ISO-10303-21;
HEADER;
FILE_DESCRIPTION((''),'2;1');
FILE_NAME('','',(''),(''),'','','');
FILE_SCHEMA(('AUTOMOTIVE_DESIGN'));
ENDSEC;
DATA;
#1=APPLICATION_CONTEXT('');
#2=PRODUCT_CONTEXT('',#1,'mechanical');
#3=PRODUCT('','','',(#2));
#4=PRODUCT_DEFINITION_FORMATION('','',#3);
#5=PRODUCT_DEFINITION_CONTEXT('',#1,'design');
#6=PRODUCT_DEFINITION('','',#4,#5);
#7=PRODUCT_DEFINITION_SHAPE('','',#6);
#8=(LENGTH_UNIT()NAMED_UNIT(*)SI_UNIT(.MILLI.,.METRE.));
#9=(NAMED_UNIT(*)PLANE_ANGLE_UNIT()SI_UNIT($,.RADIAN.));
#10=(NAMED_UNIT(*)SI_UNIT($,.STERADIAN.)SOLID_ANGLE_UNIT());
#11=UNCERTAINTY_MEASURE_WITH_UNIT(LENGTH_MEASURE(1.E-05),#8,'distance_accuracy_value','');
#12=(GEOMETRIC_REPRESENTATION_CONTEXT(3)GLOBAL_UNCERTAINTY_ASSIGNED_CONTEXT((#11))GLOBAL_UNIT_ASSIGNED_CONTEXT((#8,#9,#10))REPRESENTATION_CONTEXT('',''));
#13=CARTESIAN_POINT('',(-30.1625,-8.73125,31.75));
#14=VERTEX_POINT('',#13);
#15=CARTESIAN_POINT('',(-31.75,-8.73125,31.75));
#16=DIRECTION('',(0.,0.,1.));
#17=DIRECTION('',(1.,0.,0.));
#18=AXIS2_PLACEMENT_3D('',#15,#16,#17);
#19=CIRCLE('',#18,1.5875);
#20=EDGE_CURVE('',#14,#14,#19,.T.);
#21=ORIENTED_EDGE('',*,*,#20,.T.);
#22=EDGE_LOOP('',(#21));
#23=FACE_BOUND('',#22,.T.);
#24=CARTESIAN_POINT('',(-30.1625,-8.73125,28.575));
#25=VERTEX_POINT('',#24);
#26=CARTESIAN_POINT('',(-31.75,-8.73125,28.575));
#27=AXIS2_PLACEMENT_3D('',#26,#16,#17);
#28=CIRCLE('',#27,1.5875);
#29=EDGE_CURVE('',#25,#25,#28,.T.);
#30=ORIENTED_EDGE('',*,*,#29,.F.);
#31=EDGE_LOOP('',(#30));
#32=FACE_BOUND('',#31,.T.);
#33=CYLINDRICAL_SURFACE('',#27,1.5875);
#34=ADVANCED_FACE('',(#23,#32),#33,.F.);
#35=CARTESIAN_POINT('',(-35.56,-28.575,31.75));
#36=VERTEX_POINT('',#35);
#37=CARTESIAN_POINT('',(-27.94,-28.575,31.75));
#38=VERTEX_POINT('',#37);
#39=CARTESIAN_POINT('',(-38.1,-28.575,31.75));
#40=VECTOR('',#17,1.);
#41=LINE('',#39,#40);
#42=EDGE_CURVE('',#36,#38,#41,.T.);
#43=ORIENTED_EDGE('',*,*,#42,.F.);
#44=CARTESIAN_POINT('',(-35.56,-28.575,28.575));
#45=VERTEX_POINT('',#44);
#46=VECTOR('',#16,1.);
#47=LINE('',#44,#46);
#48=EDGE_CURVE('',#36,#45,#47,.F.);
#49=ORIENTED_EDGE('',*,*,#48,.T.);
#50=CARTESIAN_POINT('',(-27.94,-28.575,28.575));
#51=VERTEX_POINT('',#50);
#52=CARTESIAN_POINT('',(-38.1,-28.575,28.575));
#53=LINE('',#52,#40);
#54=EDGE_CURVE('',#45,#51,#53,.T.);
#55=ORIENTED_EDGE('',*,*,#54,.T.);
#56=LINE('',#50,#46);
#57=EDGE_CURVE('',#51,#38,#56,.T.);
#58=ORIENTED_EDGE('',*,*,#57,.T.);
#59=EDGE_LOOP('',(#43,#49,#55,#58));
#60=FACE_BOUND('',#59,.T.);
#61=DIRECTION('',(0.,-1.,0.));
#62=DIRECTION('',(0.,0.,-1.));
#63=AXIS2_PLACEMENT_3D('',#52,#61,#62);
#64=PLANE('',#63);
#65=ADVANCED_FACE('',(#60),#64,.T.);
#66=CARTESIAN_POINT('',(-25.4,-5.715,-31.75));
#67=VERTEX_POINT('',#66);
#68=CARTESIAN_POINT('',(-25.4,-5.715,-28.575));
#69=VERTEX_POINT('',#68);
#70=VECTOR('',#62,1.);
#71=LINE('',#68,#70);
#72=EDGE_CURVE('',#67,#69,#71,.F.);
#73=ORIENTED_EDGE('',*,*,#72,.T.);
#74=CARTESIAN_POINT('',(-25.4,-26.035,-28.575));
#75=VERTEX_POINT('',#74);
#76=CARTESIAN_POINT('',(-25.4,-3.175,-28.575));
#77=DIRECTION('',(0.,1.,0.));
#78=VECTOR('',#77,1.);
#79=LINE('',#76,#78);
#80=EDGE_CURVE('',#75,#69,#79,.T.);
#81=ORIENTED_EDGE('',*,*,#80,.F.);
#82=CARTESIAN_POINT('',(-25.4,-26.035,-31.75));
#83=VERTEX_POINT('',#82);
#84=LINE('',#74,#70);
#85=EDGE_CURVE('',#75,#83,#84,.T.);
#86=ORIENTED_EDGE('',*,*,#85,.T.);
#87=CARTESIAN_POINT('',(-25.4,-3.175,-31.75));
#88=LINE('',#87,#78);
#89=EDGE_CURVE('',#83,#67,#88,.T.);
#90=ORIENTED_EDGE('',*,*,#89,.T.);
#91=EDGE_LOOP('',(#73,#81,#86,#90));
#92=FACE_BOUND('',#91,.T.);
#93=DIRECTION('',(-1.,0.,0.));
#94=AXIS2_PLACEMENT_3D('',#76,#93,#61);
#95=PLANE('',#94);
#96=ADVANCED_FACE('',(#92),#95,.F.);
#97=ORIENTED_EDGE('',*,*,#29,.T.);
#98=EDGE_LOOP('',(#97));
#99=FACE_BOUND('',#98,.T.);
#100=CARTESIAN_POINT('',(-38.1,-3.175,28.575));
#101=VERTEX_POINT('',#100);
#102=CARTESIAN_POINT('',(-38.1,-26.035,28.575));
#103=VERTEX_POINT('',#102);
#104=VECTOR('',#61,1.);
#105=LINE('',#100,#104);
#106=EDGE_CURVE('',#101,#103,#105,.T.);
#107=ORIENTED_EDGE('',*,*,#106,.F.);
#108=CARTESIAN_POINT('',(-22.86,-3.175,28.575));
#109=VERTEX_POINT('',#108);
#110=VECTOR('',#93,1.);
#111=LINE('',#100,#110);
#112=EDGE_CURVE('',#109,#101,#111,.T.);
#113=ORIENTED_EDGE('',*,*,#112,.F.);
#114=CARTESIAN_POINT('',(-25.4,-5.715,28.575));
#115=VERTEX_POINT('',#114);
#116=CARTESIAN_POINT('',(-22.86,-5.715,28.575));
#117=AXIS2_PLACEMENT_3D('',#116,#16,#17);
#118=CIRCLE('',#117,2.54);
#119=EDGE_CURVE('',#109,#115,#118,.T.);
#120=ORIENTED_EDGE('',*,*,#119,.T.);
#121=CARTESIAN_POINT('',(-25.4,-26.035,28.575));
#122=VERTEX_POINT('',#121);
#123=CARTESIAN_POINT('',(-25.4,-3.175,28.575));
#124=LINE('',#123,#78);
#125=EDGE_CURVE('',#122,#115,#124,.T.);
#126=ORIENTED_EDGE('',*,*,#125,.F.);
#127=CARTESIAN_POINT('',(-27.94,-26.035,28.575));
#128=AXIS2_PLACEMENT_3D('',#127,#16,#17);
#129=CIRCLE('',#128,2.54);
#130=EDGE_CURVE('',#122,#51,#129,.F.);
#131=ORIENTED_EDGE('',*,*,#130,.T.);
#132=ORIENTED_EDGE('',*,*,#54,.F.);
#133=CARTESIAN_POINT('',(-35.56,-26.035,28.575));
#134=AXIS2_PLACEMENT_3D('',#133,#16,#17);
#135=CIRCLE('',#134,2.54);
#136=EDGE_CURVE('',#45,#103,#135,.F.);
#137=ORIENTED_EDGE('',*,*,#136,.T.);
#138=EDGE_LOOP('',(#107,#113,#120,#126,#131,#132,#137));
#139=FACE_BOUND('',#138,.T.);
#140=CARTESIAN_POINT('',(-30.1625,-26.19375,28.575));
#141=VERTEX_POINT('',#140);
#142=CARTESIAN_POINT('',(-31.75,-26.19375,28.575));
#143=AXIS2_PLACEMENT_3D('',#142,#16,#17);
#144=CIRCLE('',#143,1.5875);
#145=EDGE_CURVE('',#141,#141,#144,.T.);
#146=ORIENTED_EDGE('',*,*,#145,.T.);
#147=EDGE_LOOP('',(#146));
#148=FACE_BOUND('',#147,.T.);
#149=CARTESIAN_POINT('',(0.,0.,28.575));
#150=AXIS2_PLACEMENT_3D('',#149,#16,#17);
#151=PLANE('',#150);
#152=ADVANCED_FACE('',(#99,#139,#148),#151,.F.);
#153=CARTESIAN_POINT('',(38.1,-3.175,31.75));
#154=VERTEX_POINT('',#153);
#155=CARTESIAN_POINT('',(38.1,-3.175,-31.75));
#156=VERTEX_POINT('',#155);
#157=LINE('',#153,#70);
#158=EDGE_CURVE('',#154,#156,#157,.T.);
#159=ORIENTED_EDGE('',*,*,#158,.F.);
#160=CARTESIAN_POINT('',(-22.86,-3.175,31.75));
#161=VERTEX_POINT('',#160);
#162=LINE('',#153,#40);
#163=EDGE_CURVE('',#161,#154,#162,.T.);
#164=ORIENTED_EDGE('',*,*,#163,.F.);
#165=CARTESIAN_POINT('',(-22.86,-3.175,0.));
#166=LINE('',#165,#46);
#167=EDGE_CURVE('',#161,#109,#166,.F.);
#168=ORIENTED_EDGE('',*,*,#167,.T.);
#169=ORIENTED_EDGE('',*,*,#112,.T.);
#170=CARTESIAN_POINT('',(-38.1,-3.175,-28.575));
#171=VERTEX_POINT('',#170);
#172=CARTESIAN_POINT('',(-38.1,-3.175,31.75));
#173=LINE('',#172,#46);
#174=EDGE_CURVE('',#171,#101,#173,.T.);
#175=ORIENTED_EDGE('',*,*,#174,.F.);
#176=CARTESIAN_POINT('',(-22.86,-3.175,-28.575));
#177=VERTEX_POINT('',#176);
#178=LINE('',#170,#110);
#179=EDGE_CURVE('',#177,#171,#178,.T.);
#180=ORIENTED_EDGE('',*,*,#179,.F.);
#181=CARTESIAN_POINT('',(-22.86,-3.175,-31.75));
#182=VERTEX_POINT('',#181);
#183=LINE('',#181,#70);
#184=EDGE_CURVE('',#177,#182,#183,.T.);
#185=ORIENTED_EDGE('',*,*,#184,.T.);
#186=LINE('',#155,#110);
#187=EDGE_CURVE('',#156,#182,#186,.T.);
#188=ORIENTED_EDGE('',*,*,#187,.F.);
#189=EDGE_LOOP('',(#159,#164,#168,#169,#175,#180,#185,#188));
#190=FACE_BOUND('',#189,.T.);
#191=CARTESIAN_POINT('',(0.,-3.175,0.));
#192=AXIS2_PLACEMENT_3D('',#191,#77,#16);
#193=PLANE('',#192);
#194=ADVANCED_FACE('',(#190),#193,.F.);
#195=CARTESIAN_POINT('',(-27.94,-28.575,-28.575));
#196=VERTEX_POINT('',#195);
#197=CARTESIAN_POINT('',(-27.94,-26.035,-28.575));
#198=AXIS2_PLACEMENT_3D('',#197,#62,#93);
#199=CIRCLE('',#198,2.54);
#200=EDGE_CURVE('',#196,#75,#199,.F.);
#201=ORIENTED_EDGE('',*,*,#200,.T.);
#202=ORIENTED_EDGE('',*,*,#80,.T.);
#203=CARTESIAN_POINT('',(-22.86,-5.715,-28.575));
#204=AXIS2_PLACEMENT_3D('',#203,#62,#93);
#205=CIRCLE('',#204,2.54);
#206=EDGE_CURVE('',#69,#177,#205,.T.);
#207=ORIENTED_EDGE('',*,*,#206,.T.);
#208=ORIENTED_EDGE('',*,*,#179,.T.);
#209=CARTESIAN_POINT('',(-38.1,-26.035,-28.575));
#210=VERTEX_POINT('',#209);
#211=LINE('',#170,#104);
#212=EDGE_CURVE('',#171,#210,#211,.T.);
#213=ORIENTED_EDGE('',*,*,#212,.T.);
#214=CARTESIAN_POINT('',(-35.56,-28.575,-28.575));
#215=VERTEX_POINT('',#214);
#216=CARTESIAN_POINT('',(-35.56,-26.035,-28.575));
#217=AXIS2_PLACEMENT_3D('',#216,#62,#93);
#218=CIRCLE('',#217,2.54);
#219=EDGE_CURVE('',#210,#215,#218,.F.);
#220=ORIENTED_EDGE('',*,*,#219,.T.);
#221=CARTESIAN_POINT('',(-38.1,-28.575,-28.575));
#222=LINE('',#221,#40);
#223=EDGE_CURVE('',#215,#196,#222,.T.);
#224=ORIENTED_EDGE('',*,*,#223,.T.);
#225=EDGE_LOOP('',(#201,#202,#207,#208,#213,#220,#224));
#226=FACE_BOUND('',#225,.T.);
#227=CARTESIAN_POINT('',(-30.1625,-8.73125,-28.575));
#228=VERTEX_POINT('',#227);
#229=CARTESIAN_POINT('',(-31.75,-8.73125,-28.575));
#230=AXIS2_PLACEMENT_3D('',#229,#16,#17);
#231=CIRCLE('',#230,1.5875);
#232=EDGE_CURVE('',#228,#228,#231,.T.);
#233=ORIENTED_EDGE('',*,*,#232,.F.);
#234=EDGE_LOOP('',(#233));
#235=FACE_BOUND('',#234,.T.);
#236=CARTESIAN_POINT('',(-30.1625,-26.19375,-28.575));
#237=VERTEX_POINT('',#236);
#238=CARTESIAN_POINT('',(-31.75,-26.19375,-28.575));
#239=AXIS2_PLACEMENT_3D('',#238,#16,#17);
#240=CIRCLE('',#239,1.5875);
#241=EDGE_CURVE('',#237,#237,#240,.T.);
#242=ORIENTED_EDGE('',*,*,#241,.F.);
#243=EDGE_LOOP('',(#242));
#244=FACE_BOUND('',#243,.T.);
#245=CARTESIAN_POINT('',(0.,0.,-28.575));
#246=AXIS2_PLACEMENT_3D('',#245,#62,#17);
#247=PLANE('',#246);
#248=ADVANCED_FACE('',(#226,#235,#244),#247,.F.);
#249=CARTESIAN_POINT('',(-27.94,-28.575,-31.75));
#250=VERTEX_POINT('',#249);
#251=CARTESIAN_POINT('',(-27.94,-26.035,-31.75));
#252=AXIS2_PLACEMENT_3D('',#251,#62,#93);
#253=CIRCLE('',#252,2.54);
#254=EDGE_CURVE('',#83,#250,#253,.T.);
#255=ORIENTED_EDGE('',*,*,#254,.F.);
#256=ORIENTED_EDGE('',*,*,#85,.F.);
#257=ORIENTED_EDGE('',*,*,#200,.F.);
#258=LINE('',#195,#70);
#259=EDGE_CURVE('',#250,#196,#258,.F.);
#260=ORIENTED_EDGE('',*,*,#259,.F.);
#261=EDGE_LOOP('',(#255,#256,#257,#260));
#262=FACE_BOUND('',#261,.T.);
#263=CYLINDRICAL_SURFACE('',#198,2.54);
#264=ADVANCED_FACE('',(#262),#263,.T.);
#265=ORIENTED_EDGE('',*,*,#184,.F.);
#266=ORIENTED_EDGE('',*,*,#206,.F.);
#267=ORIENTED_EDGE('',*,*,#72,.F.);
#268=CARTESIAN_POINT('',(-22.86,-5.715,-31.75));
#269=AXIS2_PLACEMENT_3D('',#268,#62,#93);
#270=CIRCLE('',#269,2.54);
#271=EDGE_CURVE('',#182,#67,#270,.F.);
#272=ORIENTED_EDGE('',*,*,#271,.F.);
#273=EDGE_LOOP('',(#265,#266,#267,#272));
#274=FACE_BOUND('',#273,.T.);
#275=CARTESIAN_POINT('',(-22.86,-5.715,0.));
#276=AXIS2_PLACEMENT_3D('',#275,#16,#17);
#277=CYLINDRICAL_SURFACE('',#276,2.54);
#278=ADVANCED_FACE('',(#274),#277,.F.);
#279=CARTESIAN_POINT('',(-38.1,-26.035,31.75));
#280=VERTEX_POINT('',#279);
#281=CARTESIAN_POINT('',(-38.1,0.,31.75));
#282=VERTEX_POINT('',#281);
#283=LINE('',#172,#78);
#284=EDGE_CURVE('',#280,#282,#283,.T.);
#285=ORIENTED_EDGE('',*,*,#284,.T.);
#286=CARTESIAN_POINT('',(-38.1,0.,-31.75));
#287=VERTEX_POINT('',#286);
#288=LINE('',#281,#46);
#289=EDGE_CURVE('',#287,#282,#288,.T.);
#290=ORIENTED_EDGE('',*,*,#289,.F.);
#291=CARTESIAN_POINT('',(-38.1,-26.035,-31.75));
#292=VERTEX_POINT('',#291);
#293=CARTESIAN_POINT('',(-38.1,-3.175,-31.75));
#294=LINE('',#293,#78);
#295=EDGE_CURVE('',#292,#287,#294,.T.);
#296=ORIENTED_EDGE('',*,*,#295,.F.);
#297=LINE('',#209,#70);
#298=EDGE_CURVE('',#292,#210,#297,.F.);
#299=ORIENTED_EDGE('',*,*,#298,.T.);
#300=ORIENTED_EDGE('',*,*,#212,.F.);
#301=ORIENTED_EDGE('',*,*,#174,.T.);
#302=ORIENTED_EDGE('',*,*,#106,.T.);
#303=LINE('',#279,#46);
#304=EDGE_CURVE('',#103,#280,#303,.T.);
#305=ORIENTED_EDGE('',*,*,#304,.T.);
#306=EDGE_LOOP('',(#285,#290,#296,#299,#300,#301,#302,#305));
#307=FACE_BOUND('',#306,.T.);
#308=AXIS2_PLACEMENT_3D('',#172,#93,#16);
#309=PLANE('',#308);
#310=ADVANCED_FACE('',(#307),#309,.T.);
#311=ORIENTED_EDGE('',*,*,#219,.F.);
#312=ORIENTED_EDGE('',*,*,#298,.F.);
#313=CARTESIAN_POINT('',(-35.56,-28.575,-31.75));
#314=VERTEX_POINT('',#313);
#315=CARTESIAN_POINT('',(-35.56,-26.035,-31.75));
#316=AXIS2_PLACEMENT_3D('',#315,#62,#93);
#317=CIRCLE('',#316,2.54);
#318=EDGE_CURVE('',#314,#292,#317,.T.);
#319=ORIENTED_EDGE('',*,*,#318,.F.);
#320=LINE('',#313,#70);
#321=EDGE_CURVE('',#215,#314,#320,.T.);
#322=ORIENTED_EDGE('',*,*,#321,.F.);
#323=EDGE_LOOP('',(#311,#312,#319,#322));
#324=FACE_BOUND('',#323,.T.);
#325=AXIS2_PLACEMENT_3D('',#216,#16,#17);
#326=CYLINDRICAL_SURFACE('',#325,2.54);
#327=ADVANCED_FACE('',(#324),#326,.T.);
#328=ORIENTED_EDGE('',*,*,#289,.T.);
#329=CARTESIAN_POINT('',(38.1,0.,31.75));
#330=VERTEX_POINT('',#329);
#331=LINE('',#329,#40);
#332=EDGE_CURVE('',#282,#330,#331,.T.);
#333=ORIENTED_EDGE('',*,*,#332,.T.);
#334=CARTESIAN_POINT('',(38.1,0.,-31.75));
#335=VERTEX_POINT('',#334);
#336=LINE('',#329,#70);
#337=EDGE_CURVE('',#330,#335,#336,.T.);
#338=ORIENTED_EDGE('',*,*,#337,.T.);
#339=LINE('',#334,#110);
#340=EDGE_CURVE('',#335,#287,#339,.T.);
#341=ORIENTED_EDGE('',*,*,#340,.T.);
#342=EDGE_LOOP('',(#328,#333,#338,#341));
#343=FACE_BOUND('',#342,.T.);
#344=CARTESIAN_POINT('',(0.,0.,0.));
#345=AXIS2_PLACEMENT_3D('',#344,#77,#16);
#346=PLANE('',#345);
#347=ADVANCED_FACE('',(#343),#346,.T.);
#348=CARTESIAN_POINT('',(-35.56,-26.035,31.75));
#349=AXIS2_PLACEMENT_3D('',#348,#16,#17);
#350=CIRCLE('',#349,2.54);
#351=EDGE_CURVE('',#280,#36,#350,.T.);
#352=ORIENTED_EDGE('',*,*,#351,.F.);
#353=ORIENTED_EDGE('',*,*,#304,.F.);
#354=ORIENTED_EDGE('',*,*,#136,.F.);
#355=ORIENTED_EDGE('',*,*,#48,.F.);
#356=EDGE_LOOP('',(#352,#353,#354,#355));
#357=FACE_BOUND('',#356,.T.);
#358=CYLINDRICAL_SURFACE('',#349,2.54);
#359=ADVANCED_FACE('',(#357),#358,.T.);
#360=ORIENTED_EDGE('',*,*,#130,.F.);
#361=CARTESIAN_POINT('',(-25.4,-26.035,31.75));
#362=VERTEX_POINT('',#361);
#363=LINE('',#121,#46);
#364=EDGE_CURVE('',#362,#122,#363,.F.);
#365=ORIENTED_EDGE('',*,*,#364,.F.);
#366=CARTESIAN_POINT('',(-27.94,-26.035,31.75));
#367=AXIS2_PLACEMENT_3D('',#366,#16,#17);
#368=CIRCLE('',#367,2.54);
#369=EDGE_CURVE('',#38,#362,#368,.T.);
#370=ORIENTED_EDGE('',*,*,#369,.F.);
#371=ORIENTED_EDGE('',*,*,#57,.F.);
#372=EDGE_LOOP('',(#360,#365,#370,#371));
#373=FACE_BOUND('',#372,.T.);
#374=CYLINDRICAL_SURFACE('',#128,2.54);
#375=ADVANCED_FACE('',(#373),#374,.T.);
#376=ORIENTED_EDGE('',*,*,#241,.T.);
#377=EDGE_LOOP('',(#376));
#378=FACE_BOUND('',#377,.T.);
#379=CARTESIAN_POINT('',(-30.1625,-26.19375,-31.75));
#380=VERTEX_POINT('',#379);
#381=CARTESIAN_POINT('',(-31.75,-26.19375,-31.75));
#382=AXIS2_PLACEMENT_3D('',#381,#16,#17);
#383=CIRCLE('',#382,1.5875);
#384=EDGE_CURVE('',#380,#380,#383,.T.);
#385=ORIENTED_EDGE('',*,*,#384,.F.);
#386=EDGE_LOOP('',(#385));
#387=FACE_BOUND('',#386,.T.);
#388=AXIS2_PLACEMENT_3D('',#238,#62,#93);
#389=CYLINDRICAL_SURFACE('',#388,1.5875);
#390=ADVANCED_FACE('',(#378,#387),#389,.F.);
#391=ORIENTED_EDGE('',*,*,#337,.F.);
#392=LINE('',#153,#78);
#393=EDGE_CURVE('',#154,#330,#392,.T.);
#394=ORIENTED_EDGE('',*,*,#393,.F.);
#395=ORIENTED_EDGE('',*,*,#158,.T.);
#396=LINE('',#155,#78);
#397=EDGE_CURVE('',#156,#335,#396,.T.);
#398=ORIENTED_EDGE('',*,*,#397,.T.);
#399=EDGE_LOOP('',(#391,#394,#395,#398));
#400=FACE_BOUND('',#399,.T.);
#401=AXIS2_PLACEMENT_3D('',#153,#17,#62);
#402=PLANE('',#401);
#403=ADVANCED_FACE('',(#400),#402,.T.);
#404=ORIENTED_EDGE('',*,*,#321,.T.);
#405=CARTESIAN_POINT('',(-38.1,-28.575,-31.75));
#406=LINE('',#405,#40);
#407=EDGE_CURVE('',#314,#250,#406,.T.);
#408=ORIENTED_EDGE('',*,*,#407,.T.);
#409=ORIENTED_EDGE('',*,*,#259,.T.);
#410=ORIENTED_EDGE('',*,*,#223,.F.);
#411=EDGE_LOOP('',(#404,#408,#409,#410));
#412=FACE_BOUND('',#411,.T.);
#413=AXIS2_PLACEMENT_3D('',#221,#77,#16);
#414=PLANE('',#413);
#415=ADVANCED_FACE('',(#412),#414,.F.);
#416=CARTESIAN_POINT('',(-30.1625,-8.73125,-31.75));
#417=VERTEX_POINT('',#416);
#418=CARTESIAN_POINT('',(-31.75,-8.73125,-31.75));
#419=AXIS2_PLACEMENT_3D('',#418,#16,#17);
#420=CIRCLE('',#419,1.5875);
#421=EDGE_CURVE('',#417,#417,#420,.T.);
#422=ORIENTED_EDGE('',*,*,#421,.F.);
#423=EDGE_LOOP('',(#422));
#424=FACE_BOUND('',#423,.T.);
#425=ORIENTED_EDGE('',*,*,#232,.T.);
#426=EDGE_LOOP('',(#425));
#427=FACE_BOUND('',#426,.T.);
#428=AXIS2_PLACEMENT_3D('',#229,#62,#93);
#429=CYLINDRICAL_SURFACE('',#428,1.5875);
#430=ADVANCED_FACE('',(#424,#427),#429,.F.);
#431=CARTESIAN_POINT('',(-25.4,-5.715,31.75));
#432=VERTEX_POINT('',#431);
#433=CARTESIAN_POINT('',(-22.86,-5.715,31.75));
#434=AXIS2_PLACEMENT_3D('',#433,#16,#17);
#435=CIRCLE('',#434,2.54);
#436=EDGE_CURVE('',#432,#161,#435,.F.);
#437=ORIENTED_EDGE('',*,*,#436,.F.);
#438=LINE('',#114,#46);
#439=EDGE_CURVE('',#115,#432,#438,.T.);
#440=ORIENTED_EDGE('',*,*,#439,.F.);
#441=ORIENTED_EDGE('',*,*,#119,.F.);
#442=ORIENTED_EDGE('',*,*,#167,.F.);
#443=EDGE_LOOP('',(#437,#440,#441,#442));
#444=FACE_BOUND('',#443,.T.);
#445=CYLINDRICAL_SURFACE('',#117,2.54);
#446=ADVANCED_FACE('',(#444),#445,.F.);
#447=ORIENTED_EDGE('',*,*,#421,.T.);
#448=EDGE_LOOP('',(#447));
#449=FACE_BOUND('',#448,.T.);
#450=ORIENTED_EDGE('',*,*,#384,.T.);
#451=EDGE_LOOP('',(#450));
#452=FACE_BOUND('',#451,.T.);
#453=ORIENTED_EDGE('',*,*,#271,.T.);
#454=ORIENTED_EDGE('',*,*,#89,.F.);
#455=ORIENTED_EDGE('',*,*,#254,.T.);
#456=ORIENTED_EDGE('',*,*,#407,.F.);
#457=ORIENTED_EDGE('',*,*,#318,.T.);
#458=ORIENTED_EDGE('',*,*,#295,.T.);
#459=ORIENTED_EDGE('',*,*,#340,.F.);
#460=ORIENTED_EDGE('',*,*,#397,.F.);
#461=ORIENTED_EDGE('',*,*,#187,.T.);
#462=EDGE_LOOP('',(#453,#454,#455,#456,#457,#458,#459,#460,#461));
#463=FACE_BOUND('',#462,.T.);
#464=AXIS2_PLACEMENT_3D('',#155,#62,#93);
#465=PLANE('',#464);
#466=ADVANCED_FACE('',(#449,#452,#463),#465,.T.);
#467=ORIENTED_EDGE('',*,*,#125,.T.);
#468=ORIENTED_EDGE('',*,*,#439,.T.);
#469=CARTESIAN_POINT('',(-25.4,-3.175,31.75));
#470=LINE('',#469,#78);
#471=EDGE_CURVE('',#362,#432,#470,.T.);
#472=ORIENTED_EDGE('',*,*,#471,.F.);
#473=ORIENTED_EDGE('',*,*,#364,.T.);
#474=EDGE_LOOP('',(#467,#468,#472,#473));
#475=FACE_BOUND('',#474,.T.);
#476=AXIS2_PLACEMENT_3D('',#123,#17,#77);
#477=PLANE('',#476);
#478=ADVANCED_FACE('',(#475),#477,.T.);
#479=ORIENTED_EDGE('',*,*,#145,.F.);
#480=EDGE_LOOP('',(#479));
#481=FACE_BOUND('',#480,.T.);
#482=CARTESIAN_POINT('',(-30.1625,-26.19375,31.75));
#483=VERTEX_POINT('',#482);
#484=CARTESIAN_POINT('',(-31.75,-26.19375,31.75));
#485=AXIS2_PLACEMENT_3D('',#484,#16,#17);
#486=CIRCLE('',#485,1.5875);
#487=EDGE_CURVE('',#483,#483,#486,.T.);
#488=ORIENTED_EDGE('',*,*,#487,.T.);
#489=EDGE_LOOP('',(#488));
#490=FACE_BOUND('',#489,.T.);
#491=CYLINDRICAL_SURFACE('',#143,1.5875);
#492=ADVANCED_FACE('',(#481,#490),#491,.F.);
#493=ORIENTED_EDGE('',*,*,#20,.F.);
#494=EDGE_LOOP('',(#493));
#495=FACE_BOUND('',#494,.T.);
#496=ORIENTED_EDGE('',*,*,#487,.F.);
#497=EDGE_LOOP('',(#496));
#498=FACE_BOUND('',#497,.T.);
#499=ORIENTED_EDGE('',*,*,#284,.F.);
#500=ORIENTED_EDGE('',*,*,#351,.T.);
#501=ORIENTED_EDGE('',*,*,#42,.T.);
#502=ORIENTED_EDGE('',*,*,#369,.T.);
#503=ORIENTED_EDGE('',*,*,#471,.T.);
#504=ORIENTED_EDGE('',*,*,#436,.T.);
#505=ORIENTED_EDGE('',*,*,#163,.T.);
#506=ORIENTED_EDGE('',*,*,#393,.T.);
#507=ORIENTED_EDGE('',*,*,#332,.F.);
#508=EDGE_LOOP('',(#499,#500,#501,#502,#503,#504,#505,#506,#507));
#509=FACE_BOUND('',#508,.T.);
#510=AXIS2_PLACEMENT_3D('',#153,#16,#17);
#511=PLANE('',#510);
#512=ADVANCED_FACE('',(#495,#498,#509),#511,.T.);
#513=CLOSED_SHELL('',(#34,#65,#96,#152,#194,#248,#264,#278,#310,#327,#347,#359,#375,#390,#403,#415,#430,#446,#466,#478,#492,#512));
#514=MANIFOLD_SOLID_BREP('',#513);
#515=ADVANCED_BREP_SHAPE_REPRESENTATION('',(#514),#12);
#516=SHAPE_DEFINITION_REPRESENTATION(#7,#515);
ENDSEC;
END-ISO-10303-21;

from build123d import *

# Parameters (mm, degrees)
SKETCH1_W           = 76.2
SKETCH1_H           = 63.5
BOSS_EXTRUDE1_DEPTH = 3.175
SKETCH3_W           = 12.7
SKETCH3_H           = 25.4
SKETCH3_R           = 1.5875
BOSS_EXTRUDE2_DEPTH = 3.175
FILLET1_R           = 2.54


with BuildPart() as part:
    # Sketch1 → Boss-Extrude1 (new body)
    with BuildSketch(Plane(origin=(0, 0, 0), x_dir=(1, 0, 0), z_dir=(0, 1, 0))):
        Rectangle(SKETCH1_W, SKETCH1_H)
    extrude(amount=-BOSS_EXTRUDE1_DEPTH)

    # Sketch3 → Boss-Extrude2 (add)
    with BuildSketch(Plane.XY.offset(31.75)):
        with Locations((-31.75, -15.875)):
            Rectangle(SKETCH3_W, SKETCH3_H)
        with Locations((-31.75, -26.19375)):
            Circle(SKETCH3_R, mode=Mode.SUBTRACT)
        with Locations((-31.75, -8.73125)):
            Circle(SKETCH3_R, mode=Mode.SUBTRACT)
    boss_extrude2 = extrude(amount=-BOSS_EXTRUDE2_DEPTH)

    # Mirror1: Boss-Extrude2 across plane
    add(boss_extrude2.mirror(Plane.XY))

    # Fillet1
    fillet1_edges = [part.edges().sort_by_distance(p)[0] for p in [
        (-38.1, -28.575, 30.1625),
        (-25.4, -3.175, 30.1625),
        (-25.4, -28.575, 30.1625),
        (-38.1, -28.575, -30.1625),
        (-25.4, -28.575, -30.1625),
        (-25.4, -3.175, -30.1625),
    ]]
    fillet(fillet1_edges, radius=FILLET1_R)


solid = part.part
